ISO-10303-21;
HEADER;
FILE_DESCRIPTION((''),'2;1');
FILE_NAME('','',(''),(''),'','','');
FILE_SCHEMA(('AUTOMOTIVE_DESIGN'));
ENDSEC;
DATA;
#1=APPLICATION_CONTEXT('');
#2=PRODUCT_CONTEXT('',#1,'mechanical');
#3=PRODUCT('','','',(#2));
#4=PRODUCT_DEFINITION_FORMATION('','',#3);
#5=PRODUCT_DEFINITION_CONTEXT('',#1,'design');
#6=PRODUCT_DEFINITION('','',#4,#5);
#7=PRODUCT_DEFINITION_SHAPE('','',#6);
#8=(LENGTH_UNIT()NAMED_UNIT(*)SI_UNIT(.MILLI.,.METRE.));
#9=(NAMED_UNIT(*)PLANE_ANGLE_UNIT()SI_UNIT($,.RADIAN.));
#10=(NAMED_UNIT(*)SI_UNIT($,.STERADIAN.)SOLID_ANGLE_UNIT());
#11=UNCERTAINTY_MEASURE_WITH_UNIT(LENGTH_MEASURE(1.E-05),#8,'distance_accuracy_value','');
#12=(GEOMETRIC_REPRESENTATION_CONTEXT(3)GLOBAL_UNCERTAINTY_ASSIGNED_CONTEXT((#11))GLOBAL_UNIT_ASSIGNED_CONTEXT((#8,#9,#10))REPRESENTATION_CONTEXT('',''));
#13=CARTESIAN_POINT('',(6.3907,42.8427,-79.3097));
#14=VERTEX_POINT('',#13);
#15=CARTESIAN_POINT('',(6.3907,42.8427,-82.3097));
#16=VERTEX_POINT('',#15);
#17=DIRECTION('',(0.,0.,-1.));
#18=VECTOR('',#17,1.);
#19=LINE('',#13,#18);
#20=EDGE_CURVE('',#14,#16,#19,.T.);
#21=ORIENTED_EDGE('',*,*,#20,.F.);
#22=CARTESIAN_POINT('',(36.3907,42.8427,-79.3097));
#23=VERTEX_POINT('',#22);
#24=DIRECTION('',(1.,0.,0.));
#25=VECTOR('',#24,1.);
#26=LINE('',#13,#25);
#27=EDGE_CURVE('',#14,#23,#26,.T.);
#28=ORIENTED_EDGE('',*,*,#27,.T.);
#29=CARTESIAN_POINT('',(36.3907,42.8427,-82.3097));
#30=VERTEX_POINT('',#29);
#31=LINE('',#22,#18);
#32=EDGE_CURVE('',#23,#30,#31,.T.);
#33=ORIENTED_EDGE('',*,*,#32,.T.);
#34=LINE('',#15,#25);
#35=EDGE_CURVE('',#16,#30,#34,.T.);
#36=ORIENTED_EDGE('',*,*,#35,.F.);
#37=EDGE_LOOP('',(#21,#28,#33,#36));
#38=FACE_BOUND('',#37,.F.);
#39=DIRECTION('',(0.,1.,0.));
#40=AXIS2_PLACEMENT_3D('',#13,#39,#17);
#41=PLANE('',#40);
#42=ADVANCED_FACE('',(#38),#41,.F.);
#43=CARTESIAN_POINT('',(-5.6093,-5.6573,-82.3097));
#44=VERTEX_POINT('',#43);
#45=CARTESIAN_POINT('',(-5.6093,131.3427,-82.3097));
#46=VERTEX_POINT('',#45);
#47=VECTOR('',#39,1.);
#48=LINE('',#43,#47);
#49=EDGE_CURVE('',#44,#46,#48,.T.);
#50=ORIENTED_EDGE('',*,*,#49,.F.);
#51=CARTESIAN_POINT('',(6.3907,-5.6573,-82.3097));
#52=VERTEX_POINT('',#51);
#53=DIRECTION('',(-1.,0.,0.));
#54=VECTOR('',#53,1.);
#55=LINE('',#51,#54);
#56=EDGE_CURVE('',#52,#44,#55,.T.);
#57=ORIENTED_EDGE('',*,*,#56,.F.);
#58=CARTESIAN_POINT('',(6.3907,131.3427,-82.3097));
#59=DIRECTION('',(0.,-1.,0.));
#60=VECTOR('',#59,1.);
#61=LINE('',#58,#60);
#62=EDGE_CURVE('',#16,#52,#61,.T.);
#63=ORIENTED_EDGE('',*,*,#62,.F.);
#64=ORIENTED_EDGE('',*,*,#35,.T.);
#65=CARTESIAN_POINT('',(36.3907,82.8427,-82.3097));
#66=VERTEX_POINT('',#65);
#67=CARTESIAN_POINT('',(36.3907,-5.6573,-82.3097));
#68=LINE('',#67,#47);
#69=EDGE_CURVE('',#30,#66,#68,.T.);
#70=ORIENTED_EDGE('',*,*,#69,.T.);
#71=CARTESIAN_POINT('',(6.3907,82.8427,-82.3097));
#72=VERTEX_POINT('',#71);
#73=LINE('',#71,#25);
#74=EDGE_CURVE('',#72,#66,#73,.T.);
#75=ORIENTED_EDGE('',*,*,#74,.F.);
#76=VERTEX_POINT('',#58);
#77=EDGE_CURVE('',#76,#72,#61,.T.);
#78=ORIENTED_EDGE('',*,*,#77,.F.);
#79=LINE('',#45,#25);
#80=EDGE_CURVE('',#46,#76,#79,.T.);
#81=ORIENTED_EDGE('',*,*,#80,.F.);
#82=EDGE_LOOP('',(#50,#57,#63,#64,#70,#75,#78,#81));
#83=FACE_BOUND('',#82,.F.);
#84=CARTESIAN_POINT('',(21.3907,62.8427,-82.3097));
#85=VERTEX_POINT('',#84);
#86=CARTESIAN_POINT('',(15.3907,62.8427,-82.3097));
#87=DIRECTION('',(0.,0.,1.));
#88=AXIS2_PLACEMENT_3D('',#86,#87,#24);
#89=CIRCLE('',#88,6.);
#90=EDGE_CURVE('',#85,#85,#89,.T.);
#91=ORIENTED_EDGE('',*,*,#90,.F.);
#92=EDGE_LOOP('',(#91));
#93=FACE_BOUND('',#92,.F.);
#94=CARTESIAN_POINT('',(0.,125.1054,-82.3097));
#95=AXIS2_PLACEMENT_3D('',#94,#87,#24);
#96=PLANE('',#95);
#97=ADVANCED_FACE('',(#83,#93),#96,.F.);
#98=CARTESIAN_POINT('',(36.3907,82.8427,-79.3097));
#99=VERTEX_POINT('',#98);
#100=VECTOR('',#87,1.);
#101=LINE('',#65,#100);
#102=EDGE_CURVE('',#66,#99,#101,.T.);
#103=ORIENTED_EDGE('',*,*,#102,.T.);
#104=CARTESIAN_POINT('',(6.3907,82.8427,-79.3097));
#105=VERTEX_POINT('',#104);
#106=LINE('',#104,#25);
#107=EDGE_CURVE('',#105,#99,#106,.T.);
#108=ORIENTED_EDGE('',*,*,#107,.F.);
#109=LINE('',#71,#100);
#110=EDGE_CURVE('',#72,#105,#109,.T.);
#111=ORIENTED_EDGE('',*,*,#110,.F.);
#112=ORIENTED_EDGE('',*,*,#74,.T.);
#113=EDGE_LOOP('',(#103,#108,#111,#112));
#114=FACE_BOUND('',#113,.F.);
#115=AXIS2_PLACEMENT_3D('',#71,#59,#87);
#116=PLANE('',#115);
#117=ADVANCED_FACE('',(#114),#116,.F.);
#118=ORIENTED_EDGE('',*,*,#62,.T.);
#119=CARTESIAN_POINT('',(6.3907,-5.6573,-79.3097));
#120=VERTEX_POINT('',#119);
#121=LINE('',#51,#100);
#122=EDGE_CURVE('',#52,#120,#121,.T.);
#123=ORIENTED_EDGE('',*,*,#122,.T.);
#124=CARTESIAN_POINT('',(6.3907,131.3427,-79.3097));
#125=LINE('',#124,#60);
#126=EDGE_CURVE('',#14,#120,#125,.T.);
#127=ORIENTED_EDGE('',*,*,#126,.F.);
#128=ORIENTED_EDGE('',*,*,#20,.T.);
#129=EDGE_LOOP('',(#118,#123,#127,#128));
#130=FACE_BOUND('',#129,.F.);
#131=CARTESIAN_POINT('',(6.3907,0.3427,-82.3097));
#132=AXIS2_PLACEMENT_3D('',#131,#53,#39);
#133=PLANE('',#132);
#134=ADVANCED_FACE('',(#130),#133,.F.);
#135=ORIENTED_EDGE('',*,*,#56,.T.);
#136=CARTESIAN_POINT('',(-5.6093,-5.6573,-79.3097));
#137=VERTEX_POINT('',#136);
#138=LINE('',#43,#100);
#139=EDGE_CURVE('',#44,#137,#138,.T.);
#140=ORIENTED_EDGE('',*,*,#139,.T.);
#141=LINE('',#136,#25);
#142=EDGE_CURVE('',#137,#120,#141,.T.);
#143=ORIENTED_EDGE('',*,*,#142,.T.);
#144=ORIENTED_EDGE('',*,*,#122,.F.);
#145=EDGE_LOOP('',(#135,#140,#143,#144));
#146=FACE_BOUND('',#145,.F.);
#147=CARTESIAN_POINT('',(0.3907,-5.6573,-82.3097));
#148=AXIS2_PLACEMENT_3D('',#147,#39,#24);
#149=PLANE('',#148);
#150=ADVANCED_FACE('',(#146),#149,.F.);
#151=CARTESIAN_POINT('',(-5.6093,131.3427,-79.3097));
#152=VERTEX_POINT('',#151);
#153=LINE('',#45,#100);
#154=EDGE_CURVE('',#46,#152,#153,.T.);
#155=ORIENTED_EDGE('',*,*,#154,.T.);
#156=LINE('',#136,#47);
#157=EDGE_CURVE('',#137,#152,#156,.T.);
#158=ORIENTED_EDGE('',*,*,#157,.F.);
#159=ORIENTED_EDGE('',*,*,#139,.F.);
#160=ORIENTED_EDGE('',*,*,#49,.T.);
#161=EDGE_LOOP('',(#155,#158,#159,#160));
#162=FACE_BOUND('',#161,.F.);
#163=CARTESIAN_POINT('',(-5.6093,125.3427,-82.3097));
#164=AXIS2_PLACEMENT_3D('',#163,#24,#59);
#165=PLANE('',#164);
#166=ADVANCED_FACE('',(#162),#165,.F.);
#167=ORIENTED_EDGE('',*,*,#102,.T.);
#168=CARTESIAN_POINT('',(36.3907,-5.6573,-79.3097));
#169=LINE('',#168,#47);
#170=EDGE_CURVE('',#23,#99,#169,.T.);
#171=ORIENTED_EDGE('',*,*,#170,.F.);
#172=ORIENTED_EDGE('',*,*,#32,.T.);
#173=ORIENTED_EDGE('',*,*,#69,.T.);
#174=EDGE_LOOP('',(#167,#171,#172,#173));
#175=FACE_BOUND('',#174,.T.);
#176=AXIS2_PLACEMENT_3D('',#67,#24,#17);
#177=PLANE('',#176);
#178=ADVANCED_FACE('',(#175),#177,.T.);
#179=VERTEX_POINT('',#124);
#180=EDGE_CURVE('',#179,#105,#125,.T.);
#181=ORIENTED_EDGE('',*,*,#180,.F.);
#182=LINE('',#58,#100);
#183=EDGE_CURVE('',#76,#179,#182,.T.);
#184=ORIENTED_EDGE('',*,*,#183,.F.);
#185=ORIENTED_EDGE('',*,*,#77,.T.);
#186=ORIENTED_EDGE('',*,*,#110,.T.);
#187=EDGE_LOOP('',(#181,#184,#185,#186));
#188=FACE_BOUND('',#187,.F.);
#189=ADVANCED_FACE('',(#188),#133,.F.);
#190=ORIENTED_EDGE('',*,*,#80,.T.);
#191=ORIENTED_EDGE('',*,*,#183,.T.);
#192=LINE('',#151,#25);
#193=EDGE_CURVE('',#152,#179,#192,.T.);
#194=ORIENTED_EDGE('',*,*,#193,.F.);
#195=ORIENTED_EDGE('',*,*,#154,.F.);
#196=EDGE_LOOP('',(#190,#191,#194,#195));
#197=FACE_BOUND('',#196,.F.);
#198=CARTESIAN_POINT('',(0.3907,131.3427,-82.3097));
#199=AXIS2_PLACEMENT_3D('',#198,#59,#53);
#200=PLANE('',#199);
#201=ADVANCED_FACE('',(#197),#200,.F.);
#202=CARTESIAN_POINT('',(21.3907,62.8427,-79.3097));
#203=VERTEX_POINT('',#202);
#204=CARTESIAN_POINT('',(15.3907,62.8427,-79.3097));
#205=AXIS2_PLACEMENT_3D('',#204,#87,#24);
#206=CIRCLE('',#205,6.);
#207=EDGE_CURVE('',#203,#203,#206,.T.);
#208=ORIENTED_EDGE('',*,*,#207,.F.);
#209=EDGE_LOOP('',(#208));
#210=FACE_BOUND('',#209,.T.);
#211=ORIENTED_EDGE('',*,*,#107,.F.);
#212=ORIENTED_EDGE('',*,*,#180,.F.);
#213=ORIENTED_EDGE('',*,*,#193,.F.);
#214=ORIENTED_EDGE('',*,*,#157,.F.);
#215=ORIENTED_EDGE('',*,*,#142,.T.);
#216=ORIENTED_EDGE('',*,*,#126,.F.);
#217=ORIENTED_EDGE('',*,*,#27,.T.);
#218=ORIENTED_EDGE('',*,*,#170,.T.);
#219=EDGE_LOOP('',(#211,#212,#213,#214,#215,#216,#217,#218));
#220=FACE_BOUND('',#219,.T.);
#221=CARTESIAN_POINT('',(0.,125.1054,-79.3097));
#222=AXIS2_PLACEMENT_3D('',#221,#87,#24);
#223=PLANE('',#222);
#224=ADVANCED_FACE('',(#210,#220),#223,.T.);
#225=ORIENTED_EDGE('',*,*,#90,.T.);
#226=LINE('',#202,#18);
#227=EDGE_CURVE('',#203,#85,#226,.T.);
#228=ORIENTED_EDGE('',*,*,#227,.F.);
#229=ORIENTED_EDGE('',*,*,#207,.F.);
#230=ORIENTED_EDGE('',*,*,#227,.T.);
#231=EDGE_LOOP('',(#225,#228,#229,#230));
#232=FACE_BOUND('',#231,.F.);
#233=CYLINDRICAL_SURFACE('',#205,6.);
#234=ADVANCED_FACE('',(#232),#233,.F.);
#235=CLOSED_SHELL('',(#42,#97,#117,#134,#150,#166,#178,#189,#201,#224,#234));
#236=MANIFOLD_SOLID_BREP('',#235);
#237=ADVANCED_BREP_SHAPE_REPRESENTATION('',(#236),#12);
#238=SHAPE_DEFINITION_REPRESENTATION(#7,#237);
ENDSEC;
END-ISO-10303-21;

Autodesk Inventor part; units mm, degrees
ref_plane "YZ Plane" through (0, 0, 0) normal (1, 0, 0) x (0, 1, 0)
ref_plane "XZ Plane" through (0, 0, 0) normal (0, 1, 0) x (-1, 0, 0)
ref_plane "XY Plane" through (0, 0, 0) normal (0, 0, 1) x (1, 0, 0)
sketch "Sketch1" plane through (0, 0, 0) normal (0, 0, 1) x (1, 0, 0)
  point P0 (0, 0)
ref_plane "Work Plane1" through (0, 125.1054, -82.3097) normal (0, 0, 1) x (1, 0, 0)
sketch "Sketch2" plane through (0, 125.1054, -82.3097) normal (0, 0, 1) x (1, 0, 0)
  circle A0 centre (0.3907, 0.2373) radius 6 projected
  circle A1 centre (0.3907, -124.7627) radius 6 projected
  line L0 (6.3907, 6.2373) -> (-5.6093, 6.2373)
  line L1 (-5.6093, 6.2373) -> (-5.6093, -130.7627)
  line L2 (-5.6093, -130.7627) -> (6.3907, -130.7627)
  line L3 (6.3907, -130.7627) -> (6.3907, 6.2373)
  point P0 (0, -125.1054)
extrude "Extrusion1" add sketch "Sketch2" along normal blind 3
sketch "Sketch5" plane through (6.3907, -5.6573, -82.3097) normal (1, 0, 0) x (0, 0, -1)
  line L0 (0, 0) -> (0, 137) projected
  line L1 (0, 137) -> (-3, 137) projected
  line L2 (-3, 0) -> (-3, 137) projected
  line L3 (0, 0) -> (-3, 0) projected
  line L4 (-3, 0) -> (-3, 137) construction
  line L5 (-3, 68.5) -> (0, 68.5) construction
  line L6 (0, 0) -> (0, 137) construction
  line L7 (-3, 48.5) -> (0, 48.5)
  line L8 (0, 48.5) -> (0, 88.5)
  line L9 (0, 88.5) -> (-3, 88.5)
  line L10 (-3, 88.5) -> (-3, 48.5)
  line L11 (-3, 48.5) -> (0, 88.5) construction
  line L12 (0, 48.5) -> (-3, 88.5) construction
  point P0 (-82.3097, 5.6573)
  point P1 (-1.5, 68.5)
  point P2 (0, 88.5)
  point P3 (-3, 88.5)
  point P4 (-3, 48.5)
  point P5 (0, 48.5)
  dimension "d9" = 3
  dimension "d10" = 40
extrude "Extrusion4" add sketch "Sketch5" along normal blind 30 contours L7 L2 L9 L0
sketch "Sketch6" plane through (0, 125.1054, -82.3097) normal (0, 0, -1) x (-1, 0, 0)
  point P0 (0, -125.1054)
sketch "Sketch7" plane through (0, 125.1054, -79.3097) normal (0, 0, 1) x (1, 0, 0)
  line L0 (6.3907, 6.2373) -> (-5.6093, 6.2373) construction
  line L1 (-5.6093, 6.2373) -> (-5.6093, -130.7627) construction
  line L2 (-5.6093, -130.7627) -> (6.3907, -130.7627) construction
  line L3 (6.3907, -130.7627) -> (6.3907, -82.2627) construction
  line L4 (6.3907, -82.2627) -> (36.3907, -82.2627) construction
  line L5 (36.3907, -42.2627) -> (36.3907, -82.2627) construction
  line L6 (6.3907, -42.2627) -> (36.3907, -42.2627) construction
  line L7 (6.3907, -42.2627) -> (6.3907, 6.2373) construction
  line L8 (6.3907, -130.7627) -> (6.3907, -82.2627) construction
  line L9 (6.3907, -42.2627) -> (6.3907, -82.2627) construction
  circle A0 centre (15.3907, -62.2627) radius 6
  point P0 (0, -125.1054)
  point P1 (6.3907, -62.2627)
  dimension "d13" = 12
  dimension "d14" = 9
extrude "Extrusion5" cut sketch "Sketch7" against normal blind 30
properties part number "Linear rod connecting plate"
